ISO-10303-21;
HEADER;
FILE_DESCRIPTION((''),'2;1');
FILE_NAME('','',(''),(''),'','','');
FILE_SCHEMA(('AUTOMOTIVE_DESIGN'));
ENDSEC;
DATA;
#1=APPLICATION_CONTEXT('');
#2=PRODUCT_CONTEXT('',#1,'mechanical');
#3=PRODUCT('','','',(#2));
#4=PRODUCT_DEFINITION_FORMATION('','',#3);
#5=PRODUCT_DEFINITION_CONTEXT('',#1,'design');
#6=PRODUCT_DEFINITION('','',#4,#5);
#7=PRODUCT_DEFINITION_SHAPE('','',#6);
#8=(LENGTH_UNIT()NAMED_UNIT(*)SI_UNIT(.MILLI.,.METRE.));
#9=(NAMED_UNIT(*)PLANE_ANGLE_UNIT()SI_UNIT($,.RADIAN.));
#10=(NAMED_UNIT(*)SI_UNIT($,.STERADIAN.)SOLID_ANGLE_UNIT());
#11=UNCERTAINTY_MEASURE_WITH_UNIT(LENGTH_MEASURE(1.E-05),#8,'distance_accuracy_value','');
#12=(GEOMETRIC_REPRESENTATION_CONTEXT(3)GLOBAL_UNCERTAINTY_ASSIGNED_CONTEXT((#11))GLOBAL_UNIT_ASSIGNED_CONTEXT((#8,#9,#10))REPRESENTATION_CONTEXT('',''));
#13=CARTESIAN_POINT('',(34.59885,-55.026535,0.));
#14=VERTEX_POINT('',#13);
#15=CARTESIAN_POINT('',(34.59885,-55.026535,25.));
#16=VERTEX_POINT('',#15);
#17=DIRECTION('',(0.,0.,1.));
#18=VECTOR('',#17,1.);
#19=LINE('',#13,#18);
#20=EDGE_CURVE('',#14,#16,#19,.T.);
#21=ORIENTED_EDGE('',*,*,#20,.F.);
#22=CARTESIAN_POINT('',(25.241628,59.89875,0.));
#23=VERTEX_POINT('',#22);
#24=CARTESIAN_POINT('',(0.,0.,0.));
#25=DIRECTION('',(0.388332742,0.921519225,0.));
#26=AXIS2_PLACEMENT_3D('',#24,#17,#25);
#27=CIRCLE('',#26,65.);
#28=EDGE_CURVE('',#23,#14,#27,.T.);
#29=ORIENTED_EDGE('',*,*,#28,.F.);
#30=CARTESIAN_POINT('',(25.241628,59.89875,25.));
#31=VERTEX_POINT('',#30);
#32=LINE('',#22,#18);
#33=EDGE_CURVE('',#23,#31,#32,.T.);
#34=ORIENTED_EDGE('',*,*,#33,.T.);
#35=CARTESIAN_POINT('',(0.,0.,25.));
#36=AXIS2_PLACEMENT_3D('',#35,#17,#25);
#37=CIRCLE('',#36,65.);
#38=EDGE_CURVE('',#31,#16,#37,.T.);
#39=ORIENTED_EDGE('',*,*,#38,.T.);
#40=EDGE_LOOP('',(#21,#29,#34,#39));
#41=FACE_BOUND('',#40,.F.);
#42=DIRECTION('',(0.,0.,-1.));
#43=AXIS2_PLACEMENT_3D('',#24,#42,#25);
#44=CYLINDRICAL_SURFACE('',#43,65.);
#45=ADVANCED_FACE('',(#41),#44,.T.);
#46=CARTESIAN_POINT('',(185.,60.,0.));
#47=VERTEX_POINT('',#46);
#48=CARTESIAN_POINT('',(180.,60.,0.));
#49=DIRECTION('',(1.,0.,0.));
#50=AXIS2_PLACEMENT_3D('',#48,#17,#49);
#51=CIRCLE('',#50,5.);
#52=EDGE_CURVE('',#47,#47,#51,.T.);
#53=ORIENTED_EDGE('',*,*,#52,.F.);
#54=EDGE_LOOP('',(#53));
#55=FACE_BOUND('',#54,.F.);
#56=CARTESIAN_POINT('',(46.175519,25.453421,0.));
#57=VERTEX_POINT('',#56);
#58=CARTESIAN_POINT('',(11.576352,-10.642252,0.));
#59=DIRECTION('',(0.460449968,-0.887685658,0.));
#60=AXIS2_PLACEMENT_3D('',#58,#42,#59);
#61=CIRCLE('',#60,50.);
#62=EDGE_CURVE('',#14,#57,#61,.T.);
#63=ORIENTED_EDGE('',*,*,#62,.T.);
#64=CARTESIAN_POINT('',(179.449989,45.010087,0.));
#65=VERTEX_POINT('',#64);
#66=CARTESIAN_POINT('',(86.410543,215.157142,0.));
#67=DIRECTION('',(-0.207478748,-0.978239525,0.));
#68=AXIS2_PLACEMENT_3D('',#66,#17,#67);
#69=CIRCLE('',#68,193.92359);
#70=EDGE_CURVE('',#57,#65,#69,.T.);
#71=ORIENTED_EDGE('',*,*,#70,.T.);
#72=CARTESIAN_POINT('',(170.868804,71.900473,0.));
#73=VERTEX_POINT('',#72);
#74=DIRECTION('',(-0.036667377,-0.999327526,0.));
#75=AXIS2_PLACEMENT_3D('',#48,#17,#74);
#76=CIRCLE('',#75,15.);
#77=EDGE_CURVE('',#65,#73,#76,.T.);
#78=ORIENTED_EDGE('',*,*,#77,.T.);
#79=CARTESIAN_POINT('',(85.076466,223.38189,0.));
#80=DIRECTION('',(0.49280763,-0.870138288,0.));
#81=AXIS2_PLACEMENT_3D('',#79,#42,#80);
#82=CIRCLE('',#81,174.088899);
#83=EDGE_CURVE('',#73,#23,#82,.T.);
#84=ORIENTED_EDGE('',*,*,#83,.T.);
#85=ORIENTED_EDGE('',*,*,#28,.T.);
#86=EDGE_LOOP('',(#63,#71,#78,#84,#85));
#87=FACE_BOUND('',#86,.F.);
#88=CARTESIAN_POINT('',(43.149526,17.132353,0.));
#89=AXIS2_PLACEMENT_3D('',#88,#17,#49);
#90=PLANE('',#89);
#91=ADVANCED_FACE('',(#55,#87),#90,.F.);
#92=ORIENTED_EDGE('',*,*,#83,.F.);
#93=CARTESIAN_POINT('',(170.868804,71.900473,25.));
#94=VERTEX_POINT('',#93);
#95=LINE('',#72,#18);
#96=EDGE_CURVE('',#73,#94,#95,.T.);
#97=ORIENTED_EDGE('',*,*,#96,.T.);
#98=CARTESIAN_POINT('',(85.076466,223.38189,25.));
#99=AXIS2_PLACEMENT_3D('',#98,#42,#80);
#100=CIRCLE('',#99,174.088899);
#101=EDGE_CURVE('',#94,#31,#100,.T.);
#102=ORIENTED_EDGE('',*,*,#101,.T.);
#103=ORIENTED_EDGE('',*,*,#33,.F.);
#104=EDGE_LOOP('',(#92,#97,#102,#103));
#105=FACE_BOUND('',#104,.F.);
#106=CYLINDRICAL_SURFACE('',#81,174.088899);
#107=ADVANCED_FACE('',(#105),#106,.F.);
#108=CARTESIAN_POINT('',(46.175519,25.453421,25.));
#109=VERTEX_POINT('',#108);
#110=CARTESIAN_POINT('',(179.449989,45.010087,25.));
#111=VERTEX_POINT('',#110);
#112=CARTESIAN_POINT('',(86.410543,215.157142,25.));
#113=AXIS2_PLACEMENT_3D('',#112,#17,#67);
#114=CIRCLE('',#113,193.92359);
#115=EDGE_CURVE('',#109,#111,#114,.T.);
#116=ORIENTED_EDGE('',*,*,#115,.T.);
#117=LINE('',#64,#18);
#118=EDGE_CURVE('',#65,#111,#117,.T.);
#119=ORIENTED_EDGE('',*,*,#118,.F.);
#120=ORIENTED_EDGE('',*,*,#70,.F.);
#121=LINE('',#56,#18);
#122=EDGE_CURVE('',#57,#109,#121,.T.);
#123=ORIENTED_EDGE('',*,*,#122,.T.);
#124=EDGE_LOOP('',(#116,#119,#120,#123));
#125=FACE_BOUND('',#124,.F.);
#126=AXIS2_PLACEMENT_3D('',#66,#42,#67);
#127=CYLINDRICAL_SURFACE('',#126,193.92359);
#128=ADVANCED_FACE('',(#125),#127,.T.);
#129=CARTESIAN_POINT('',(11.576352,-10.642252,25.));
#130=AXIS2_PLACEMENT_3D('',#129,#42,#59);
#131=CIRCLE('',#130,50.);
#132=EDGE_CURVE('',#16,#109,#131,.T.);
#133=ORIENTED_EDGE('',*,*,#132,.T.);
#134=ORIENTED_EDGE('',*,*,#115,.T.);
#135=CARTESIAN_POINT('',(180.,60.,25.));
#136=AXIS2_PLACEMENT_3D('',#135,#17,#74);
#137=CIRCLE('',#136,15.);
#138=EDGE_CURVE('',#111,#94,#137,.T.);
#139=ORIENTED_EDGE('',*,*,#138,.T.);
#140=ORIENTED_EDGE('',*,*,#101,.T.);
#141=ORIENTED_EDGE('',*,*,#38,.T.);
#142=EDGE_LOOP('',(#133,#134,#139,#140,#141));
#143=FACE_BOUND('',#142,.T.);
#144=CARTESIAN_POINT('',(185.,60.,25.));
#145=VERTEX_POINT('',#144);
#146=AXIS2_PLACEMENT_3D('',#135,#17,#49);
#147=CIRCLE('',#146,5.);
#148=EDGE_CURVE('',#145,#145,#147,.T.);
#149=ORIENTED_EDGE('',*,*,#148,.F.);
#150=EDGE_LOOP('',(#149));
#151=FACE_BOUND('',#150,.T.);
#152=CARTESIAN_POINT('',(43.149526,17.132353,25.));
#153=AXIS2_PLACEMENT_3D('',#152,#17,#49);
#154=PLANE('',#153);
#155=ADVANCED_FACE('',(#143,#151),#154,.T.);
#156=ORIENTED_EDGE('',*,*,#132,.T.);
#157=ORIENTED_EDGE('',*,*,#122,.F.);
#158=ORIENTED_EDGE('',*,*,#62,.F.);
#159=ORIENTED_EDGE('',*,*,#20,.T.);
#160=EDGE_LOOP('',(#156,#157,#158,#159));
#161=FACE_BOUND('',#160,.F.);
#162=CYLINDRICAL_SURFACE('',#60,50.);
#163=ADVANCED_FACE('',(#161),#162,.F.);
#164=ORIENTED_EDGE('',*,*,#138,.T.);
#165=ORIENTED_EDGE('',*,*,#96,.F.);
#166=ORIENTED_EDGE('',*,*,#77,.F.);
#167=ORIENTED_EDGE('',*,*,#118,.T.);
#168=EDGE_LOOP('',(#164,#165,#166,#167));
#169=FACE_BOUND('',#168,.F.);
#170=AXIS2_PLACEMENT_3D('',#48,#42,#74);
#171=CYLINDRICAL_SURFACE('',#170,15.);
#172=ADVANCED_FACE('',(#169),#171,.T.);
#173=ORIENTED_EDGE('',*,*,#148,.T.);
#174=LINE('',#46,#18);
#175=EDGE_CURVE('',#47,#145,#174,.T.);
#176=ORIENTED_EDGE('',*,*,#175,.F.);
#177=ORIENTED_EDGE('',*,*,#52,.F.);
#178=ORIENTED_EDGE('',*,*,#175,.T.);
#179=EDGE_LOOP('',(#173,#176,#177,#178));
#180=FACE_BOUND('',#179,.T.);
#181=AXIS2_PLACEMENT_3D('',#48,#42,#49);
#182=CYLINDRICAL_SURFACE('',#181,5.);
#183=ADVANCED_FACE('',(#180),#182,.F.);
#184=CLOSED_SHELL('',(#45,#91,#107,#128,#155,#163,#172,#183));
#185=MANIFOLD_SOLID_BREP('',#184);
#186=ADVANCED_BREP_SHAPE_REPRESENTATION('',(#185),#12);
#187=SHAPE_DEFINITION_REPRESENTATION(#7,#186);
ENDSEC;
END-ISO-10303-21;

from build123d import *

# Parameters (mm, degrees)
F0_R     = 5
F1_DEPTH = 25


with BuildPart() as f1:
    # F0 (on Top) → F1 (new body)
    with BuildSketch(Plane.XY):
        with BuildLine():
            ThreePointArc((170.868804, 71.900473), (99.375357, 49.881208), (25.241628, 59.89875))
            ThreePointArc((25.241628, 59.89875), (-64.785616, -5.274848), (34.59885, -55.026535))
            ThreePointArc((34.59885, -55.026535), (-37.914253, -3.523259), (46.175519, 25.453421))
            ThreePointArc((46.175519, 25.453421), (114.565339, 23.288264), (179.449989, 45.010087))
            ThreePointArc((179.449989, 45.010087), (194.290019, 64.560191), (170.868804, 71.900473))
        make_face()
        with Locations((180, 60)):
            Circle(F0_R, mode=Mode.SUBTRACT)
    extrude(amount=F1_DEPTH)


solid = f1.part
